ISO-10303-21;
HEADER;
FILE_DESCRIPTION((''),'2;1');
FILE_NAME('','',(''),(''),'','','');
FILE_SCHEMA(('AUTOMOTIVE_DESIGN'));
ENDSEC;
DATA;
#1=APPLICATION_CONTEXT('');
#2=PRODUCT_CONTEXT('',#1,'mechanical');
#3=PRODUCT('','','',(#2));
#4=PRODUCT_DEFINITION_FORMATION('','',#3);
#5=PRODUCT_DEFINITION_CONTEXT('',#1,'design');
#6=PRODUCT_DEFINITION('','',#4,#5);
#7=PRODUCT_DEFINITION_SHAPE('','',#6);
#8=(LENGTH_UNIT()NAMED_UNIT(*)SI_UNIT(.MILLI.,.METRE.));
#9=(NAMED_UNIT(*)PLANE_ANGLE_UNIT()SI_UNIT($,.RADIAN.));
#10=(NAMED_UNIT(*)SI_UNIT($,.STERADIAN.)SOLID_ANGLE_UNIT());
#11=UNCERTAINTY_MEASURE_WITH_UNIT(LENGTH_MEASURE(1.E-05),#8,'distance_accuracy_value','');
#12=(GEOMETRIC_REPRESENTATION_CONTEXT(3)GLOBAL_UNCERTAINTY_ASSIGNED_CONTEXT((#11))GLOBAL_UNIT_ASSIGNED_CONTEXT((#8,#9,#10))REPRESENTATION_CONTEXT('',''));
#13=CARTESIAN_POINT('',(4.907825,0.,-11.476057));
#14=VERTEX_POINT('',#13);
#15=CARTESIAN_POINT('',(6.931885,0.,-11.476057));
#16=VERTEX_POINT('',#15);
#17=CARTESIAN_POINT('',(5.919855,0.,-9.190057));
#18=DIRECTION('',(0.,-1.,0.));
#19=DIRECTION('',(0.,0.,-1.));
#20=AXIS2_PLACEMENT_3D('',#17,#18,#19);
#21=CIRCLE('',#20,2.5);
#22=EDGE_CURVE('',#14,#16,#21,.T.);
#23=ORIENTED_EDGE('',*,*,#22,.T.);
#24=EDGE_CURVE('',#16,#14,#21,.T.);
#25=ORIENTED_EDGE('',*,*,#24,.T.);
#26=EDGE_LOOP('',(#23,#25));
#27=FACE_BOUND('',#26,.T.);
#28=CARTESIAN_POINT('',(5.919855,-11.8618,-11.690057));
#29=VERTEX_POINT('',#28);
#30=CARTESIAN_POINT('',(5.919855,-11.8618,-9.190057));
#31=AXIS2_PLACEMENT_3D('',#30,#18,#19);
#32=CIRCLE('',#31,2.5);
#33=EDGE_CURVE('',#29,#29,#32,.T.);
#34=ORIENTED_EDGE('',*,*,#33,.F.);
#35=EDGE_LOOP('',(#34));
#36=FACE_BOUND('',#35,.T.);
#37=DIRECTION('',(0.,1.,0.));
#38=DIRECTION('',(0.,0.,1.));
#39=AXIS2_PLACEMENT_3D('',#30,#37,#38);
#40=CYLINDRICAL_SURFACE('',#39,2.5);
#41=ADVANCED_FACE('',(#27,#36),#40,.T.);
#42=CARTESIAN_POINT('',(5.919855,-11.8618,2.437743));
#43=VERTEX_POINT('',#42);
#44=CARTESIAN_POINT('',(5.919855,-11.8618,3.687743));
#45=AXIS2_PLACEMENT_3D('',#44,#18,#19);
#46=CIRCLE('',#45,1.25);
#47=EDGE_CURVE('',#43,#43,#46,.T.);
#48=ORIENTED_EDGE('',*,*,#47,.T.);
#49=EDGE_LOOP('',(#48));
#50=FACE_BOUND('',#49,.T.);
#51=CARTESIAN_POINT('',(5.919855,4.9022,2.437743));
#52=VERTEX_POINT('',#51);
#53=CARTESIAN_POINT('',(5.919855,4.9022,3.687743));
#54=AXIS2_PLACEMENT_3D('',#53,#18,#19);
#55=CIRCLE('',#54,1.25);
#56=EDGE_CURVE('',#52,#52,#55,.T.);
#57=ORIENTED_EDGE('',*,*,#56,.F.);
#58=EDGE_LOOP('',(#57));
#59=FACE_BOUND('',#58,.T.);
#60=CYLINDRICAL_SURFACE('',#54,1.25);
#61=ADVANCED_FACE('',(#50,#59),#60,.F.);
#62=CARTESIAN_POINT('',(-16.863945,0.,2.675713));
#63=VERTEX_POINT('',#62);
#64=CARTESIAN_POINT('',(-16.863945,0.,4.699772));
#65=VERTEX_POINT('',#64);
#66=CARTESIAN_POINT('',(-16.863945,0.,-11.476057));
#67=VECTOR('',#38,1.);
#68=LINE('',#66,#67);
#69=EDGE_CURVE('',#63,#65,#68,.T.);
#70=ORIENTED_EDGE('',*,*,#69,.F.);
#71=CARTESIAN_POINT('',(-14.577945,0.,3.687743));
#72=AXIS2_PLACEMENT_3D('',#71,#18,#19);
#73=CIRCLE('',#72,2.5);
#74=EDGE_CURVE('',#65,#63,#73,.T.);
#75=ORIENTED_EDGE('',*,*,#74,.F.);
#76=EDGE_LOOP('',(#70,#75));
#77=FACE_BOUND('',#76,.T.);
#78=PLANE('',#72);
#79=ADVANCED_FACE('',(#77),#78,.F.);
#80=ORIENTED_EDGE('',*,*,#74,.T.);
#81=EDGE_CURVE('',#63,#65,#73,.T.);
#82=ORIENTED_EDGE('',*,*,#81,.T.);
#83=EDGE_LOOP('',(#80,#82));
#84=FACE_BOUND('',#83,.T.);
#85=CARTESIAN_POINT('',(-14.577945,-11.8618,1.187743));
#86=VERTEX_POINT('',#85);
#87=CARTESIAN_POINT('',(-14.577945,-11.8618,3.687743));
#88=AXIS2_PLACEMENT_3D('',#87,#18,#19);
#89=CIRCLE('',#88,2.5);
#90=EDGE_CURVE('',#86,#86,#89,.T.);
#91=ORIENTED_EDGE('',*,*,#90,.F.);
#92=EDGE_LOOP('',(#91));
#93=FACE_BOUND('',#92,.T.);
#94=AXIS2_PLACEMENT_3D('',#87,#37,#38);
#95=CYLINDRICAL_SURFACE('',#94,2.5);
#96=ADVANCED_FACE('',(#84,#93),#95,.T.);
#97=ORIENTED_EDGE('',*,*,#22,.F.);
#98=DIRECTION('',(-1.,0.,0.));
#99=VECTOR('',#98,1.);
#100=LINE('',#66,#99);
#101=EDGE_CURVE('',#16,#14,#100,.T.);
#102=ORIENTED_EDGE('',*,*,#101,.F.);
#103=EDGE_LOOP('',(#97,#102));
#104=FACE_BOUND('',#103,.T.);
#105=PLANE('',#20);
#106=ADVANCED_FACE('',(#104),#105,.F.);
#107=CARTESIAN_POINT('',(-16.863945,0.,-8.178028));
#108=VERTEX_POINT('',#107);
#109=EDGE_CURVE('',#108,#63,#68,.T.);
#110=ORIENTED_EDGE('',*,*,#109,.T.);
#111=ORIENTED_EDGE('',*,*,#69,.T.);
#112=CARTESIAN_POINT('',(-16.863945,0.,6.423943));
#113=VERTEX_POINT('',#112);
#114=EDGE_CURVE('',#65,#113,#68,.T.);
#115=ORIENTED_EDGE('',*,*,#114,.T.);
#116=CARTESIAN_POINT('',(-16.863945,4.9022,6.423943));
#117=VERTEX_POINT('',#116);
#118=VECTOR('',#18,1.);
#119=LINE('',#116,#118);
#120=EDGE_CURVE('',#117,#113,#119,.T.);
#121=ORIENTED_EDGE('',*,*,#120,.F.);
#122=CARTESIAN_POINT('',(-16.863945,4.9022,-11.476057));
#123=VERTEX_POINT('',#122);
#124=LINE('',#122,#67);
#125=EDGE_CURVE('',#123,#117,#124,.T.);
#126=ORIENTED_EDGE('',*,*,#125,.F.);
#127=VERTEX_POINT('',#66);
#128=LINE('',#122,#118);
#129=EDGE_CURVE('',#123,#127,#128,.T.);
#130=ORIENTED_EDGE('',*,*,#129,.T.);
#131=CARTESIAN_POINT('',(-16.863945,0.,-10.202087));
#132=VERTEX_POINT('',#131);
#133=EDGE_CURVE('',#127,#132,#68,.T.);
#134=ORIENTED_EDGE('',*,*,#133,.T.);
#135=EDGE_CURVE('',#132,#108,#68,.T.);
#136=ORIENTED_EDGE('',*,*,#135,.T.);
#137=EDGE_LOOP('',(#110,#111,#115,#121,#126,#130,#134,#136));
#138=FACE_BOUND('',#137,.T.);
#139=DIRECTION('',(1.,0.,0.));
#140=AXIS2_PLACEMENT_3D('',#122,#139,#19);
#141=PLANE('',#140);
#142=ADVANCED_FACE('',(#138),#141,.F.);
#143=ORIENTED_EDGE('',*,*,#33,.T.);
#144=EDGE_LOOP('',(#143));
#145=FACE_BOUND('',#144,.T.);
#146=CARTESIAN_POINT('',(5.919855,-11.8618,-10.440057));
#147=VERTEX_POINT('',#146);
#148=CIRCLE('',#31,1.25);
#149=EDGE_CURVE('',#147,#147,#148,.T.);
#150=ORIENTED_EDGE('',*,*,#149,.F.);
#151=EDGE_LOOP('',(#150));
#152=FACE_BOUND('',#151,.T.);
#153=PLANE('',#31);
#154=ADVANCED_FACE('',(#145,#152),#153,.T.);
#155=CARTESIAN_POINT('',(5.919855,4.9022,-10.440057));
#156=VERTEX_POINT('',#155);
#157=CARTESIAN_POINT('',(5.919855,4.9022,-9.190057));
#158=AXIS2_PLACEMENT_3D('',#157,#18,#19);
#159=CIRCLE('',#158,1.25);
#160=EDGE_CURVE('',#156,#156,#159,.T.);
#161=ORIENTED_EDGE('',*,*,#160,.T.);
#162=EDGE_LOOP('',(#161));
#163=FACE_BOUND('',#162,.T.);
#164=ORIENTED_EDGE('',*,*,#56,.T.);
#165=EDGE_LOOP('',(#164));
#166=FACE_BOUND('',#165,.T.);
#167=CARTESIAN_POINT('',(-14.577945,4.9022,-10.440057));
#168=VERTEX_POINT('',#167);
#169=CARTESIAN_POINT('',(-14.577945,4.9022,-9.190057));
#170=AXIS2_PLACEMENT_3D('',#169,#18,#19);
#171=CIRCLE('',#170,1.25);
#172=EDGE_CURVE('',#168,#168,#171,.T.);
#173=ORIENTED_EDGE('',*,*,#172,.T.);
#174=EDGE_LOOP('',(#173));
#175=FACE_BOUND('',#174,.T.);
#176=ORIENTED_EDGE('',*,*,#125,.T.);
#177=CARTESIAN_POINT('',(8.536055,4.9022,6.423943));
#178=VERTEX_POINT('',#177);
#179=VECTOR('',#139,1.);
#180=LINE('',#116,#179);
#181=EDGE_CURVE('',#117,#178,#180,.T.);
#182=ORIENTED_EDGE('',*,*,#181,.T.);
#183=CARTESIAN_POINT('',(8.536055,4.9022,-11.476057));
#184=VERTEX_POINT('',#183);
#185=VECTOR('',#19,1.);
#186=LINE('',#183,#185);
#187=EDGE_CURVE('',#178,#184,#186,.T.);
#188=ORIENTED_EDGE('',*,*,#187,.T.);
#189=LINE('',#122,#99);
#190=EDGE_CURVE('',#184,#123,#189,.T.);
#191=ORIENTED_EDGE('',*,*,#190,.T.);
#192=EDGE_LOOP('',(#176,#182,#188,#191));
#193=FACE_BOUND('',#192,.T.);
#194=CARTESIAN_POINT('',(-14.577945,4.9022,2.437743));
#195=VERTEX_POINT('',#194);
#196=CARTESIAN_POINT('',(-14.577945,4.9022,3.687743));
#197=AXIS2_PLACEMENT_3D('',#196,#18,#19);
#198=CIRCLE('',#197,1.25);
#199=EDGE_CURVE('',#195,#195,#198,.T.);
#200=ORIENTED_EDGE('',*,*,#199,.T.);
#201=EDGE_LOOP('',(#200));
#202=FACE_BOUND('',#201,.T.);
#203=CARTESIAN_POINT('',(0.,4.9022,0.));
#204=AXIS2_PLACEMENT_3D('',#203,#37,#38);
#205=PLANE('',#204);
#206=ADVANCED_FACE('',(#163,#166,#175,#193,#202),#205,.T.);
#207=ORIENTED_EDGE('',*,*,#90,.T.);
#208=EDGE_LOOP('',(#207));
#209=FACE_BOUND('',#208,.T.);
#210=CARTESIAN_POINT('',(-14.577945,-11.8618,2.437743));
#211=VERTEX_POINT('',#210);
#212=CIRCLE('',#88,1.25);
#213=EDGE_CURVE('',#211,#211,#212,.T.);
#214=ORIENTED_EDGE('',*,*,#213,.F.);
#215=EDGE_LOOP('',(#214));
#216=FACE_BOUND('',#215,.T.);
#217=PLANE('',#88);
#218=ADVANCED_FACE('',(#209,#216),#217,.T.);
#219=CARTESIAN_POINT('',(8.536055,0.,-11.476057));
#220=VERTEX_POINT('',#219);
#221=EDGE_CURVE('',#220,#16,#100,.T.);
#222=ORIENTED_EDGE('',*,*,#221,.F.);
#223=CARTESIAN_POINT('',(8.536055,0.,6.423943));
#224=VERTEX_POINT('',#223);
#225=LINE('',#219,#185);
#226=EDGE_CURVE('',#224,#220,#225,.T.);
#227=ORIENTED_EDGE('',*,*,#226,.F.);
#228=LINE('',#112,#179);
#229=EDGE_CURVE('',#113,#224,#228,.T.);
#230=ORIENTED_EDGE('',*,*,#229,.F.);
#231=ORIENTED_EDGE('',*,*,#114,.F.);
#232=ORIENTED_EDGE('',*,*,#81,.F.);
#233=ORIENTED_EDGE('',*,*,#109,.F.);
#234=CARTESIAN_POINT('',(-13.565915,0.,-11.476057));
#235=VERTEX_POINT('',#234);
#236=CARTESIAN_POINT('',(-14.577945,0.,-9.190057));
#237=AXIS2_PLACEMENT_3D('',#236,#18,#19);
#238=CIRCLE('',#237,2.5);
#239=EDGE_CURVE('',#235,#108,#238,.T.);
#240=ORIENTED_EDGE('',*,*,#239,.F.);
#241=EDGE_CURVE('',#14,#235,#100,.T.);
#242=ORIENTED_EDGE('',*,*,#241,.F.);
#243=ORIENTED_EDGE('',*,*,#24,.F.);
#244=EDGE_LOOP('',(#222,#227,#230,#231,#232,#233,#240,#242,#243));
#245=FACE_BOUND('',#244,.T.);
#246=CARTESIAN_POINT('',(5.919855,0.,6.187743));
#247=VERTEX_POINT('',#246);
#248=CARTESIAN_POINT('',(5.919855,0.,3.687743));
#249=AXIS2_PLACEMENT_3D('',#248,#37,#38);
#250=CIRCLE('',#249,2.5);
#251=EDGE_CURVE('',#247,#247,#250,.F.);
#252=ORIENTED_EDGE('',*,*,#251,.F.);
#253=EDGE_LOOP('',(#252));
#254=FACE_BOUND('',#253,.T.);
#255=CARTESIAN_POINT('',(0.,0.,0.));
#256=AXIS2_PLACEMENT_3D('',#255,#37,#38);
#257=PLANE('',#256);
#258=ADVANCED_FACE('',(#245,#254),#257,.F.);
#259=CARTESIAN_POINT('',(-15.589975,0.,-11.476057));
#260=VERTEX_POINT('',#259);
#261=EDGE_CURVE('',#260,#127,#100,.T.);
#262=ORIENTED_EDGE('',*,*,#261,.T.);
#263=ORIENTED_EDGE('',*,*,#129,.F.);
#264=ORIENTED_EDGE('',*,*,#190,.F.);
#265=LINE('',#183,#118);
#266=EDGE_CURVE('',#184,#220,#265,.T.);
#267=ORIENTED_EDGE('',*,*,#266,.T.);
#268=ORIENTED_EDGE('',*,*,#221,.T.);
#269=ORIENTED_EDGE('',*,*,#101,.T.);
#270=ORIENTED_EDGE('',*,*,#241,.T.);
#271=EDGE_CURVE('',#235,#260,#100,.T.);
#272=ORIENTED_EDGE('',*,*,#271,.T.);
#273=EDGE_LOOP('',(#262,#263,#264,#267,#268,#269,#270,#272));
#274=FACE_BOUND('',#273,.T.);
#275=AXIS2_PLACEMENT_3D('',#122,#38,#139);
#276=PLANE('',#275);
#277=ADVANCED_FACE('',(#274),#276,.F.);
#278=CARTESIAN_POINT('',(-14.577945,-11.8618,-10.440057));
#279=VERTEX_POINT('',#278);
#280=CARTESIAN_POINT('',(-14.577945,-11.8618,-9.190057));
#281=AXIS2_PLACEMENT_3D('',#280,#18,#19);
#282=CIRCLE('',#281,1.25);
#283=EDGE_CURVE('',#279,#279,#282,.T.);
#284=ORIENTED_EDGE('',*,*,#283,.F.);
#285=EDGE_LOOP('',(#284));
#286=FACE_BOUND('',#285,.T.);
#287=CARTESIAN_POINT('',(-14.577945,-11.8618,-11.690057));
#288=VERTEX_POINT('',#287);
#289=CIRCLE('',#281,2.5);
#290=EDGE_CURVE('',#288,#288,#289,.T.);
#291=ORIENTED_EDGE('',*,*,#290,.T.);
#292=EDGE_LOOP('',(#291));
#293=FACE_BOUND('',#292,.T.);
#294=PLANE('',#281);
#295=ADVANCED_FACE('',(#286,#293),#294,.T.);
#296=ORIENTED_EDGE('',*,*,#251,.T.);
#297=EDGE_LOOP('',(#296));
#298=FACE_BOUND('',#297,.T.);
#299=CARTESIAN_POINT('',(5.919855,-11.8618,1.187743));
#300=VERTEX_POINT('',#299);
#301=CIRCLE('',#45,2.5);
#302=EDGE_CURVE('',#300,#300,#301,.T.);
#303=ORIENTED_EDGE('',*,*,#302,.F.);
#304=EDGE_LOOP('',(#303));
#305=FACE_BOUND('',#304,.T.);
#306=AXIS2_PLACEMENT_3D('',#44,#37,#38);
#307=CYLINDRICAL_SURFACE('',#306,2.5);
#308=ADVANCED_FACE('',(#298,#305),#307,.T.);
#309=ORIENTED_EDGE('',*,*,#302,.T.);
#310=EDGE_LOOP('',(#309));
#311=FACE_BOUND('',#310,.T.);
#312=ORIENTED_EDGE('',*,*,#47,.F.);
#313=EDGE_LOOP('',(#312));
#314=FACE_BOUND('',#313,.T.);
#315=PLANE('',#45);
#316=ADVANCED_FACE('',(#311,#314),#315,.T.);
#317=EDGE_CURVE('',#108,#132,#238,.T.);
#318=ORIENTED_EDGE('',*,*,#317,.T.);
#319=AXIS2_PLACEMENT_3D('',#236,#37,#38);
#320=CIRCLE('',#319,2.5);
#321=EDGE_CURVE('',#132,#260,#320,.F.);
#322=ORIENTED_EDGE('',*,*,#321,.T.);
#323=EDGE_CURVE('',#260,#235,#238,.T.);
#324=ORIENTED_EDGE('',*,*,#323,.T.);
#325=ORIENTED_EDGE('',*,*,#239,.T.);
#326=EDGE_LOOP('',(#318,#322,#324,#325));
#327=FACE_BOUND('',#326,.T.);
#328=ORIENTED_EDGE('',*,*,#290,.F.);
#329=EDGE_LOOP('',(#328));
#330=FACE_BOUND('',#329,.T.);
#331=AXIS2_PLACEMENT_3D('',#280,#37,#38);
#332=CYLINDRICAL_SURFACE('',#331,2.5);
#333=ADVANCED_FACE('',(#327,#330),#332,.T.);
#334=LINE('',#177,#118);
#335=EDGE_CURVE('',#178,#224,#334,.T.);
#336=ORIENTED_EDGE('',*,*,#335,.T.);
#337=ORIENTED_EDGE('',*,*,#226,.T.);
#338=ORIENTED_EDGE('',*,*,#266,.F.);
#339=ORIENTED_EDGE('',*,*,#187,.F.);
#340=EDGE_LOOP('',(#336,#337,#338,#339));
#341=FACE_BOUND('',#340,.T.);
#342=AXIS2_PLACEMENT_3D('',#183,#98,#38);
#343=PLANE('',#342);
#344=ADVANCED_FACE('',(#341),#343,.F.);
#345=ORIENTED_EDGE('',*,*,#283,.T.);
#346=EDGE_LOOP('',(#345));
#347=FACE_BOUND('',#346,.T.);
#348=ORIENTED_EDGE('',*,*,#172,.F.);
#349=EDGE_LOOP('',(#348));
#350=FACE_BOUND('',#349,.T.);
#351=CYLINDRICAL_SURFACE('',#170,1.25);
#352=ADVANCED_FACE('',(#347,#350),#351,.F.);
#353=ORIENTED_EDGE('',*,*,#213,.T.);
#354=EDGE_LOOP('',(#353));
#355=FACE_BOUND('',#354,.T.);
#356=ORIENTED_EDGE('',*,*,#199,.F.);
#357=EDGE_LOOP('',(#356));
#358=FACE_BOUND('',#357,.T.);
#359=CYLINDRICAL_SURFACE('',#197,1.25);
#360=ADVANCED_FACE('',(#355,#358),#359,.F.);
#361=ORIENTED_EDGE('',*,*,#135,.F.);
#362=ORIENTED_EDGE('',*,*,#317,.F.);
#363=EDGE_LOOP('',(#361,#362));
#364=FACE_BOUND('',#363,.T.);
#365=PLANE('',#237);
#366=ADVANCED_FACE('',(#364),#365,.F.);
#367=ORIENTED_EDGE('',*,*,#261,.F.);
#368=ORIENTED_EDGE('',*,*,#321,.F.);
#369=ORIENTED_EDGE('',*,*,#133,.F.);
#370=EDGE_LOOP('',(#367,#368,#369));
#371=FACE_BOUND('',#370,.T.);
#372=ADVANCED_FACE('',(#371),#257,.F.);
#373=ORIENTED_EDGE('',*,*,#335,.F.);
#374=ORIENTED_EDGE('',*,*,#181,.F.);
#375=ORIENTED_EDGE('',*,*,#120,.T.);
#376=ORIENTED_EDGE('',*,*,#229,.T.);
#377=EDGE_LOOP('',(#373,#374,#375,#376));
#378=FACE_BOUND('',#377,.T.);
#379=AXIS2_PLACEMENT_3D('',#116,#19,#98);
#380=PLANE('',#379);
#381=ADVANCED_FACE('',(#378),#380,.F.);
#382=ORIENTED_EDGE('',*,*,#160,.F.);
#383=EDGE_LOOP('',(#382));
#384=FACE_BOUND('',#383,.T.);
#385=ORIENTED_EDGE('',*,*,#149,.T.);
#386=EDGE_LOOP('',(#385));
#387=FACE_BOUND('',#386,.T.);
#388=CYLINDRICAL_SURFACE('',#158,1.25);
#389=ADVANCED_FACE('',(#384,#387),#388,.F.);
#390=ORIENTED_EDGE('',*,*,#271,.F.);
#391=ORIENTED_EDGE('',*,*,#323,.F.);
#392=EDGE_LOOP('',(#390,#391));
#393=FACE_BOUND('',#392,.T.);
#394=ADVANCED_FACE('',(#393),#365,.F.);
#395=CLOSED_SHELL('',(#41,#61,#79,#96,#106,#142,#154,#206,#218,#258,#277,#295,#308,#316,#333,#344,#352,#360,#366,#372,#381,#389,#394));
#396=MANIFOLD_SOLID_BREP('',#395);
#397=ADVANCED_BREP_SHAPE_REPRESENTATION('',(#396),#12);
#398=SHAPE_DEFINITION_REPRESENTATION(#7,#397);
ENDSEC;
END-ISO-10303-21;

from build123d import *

# Parameters (mm, degrees)
SKETCH1_W           = 25.4
SKETCH1_H           = 17.9
BOSS_EXTRUDE1_DEPTH = 4.9022
SKETCH2_R           = 2.5
BOSS_EXTRUDE2_DEPTH = 11.8618
SKETCH3_R           = 1.25
CUT_EXTRUDE1_DEPTH  = 17.764


with BuildPart() as part:
    # Sketch1 → Boss-Extrude1 (new body)
    with BuildSketch(Plane(origin=(0, 0, 0), x_dir=(1, 0, 0), z_dir=(0, 1, 0))):
        with Locations((-4.163944862, 2.526057393)):
            Rectangle(SKETCH1_W, SKETCH1_H)
    extrude(amount=BOSS_EXTRUDE1_DEPTH)

    # Sketch2 → Boss-Extrude2 (add)
    with BuildSketch(Plane.XZ):
        with Locations((-14.577944862, 3.687742607)):
            Circle(SKETCH2_R)
        with Locations((5.919855138, 3.687742607)):
            Circle(SKETCH2_R)
        with Locations((5.919855138, -9.190057393)):
            Circle(SKETCH2_R)
        with Locations((-14.577944862, -9.190057393)):
            Circle(SKETCH2_R)
    extrude(amount=BOSS_EXTRUDE2_DEPTH)

    # Sketch3 → Cut-Extrude1 (cut, through all)
    with BuildSketch(Plane.XZ.offset(11.8618)):
        with Locations((-14.577944862, 3.687742607)):
            Circle(SKETCH3_R)
        with Locations((-14.577944862, -9.190057393)):
            Circle(SKETCH3_R)
        with Locations((5.919855138, -9.190057393)):
            Circle(SKETCH3_R)
        with Locations((5.919855138, 3.687742607)):
            Circle(SKETCH3_R)
    extrude(amount=-CUT_EXTRUDE1_DEPTH, mode=Mode.SUBTRACT)


solid = part.part
